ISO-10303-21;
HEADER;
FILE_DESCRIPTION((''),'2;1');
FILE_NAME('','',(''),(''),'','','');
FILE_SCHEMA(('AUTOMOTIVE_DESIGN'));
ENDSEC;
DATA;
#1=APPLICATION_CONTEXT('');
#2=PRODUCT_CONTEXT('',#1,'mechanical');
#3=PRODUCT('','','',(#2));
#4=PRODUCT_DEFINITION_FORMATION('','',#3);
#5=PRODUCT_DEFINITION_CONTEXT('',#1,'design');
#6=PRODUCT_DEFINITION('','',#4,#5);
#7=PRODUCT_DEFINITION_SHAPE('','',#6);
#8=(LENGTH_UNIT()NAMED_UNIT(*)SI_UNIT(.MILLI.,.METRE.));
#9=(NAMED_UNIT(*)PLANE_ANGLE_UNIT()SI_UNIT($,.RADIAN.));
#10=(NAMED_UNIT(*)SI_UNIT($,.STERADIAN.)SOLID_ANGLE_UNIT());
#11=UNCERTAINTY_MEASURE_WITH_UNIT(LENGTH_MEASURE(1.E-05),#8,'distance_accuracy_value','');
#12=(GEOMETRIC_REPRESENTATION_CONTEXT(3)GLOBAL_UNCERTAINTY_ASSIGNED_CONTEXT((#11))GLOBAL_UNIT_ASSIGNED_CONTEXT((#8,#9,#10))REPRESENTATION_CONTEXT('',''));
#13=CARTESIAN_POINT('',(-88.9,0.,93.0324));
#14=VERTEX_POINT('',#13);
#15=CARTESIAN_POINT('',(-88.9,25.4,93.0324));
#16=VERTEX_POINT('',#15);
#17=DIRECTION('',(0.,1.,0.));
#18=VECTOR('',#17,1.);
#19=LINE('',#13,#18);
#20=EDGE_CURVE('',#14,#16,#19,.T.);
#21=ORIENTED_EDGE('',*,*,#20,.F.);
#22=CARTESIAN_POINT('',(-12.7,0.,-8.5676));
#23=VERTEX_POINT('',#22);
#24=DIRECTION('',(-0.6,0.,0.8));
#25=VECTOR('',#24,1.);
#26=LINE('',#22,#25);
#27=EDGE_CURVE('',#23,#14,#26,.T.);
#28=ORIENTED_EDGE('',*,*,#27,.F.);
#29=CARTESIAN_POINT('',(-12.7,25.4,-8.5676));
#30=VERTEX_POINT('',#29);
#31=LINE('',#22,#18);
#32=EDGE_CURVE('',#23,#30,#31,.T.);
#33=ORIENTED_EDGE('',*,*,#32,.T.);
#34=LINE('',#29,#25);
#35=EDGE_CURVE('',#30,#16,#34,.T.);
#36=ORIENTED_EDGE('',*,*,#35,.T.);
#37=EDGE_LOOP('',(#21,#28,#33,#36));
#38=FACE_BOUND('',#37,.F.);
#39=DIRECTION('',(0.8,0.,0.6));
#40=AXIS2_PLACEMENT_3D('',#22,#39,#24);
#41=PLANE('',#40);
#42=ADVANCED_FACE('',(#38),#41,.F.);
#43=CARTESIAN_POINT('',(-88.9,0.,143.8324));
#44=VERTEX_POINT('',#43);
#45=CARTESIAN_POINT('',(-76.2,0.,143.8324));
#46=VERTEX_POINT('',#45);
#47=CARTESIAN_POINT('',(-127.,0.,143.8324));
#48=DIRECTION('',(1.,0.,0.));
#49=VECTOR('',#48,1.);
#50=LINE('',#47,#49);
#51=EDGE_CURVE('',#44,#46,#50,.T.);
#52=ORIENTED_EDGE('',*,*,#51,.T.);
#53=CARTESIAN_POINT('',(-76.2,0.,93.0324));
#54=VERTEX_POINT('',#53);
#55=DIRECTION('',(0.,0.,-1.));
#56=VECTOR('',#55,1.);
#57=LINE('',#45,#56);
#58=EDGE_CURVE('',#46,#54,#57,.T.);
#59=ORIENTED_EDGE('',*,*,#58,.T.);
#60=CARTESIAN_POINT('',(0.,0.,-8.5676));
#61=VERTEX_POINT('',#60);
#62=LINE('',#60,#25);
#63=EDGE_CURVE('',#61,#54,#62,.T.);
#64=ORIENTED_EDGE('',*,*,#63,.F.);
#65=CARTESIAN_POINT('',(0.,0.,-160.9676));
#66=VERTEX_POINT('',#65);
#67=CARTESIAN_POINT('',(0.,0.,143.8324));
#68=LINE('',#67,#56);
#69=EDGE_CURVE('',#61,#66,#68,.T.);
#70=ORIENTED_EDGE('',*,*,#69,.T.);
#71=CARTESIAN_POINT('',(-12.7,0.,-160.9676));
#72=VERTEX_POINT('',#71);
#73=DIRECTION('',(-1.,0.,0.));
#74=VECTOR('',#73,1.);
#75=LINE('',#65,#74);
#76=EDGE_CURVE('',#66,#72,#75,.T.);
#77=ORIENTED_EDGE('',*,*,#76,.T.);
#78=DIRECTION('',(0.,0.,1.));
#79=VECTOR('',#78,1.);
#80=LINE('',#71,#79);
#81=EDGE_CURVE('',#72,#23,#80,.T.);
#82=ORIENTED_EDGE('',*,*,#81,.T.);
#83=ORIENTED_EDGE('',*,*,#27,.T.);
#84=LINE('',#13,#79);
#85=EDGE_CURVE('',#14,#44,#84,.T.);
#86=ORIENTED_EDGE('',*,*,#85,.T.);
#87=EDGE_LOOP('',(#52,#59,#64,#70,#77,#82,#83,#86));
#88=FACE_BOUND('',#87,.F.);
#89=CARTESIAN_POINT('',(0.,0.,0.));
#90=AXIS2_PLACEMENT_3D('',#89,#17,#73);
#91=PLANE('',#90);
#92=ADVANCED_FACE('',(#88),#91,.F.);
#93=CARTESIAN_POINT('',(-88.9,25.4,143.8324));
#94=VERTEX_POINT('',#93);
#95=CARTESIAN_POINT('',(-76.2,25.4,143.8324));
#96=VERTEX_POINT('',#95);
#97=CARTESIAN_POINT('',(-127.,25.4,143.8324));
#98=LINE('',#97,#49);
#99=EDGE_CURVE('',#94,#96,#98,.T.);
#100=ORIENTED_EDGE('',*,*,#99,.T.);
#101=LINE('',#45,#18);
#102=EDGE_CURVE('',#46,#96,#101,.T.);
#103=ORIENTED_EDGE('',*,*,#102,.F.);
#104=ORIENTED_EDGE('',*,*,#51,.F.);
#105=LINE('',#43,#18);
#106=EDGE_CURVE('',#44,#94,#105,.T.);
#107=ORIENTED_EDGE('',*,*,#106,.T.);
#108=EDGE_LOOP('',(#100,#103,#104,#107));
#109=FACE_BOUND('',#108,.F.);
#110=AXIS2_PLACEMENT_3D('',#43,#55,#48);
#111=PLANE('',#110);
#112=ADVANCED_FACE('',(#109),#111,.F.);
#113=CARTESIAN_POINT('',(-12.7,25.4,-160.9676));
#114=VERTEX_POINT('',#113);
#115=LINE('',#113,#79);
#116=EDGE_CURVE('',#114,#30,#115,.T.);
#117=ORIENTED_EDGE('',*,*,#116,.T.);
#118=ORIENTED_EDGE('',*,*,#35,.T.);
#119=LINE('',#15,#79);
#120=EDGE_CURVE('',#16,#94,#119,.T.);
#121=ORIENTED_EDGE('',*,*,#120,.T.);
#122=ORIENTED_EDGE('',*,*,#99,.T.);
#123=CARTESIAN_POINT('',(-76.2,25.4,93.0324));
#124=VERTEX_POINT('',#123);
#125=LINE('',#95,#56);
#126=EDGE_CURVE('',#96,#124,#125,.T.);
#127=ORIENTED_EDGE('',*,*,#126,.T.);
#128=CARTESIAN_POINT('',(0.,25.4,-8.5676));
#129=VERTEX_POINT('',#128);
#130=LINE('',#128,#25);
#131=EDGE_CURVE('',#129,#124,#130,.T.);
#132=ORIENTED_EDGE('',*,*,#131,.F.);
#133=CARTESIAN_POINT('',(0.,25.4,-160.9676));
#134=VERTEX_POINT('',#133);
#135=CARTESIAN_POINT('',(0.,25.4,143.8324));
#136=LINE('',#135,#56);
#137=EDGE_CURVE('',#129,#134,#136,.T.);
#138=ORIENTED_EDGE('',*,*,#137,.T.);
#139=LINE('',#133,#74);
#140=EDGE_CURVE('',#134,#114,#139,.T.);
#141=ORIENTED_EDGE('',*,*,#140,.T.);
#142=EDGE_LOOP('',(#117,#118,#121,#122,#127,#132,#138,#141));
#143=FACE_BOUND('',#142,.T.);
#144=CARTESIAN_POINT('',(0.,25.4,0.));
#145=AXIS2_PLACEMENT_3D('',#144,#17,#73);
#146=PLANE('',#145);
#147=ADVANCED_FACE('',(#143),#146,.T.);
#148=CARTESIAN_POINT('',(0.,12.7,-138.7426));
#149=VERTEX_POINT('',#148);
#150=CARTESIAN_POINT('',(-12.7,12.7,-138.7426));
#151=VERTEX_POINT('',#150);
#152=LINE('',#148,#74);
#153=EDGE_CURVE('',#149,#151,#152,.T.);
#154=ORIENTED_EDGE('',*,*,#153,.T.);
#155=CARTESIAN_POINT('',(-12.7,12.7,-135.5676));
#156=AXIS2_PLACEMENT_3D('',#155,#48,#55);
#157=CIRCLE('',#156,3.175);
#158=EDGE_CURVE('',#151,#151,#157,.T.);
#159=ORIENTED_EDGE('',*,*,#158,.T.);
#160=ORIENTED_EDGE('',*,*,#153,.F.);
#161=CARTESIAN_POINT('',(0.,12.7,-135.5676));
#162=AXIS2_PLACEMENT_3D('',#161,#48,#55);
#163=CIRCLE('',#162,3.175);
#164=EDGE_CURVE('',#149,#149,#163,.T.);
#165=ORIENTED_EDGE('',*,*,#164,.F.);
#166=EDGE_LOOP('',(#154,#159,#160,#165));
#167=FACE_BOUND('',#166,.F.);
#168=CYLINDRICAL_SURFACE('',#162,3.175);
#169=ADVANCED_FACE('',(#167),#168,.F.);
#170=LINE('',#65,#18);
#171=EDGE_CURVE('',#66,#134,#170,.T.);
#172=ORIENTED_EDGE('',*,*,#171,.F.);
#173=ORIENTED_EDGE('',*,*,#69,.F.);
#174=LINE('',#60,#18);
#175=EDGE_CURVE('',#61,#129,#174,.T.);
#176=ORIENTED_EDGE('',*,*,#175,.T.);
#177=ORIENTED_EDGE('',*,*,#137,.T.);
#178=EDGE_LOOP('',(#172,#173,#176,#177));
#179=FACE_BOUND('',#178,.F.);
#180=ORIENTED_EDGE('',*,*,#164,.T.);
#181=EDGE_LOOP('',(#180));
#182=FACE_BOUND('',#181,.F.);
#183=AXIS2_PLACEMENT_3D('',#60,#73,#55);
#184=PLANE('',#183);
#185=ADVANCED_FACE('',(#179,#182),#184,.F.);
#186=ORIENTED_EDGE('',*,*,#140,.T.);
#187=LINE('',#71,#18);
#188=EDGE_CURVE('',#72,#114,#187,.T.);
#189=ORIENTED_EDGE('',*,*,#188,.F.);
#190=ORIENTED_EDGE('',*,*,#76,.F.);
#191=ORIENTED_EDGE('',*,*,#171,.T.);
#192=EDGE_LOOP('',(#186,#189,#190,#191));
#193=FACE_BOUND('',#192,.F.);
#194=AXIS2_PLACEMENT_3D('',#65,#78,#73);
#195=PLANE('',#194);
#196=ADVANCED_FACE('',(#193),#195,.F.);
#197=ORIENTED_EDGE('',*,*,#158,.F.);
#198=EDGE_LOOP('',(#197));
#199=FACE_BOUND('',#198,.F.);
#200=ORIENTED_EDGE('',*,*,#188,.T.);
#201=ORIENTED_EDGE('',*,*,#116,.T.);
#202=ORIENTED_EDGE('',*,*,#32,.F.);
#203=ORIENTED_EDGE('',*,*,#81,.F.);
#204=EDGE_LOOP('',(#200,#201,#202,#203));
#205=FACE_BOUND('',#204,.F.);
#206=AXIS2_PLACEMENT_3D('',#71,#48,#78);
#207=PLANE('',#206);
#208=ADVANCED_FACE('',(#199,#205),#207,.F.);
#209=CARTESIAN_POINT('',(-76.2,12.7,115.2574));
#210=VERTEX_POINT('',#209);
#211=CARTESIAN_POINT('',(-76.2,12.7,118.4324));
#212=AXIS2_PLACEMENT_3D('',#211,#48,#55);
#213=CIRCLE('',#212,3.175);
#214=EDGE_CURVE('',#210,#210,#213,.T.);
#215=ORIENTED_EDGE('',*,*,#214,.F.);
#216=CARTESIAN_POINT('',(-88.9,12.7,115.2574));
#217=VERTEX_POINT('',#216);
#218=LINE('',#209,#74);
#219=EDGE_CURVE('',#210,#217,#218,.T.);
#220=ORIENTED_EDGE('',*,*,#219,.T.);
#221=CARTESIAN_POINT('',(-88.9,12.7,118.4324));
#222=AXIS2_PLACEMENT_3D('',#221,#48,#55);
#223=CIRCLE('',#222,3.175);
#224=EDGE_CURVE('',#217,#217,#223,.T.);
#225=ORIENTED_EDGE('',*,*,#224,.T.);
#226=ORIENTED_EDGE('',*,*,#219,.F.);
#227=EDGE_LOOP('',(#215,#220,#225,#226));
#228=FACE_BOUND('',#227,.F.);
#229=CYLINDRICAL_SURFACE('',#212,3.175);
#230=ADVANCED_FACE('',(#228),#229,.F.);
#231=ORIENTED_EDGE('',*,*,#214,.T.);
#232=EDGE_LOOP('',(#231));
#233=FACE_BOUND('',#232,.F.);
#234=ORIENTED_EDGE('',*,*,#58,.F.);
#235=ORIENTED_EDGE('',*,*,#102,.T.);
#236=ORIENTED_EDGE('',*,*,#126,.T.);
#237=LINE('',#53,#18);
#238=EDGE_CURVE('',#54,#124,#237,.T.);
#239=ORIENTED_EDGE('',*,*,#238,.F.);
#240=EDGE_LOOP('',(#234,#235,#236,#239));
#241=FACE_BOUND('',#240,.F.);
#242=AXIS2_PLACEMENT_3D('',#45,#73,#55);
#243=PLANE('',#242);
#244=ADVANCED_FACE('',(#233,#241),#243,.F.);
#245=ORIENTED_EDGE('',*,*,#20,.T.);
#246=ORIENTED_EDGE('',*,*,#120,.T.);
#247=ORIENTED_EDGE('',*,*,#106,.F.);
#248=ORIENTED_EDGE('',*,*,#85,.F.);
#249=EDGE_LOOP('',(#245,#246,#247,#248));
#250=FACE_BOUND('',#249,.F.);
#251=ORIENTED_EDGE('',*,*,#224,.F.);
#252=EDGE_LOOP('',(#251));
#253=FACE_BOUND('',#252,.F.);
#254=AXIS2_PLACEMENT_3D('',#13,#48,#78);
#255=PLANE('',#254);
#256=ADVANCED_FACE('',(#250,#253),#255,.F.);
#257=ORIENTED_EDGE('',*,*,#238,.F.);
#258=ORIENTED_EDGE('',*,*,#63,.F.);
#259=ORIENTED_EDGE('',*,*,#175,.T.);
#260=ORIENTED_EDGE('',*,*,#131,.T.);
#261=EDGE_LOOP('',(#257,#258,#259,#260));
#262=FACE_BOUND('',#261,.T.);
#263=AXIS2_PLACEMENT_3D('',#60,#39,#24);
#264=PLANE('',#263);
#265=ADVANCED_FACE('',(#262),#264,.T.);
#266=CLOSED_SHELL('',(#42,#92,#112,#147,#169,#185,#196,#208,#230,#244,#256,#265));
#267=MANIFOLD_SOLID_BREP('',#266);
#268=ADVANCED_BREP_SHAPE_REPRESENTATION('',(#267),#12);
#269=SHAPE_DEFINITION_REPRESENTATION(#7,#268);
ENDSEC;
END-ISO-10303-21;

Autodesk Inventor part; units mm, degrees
ref_plane "YZ Plane" through (0, 0, 0) normal (1, 0, 0) x (0, 1, 0)
ref_plane "XZ Plane" through (0, 0, 0) normal (0, 1, 0) x (-1, 0, 0)
ref_plane "XY Plane" through (0, 0, 0) normal (0, 0, 1) x (1, 0, 0)
sketch "Sketch1" plane through (0, 0, 0) normal (0, 1, 0) x (-1, 0, 0)
  line L0 (127, 143.8324) -> (0, 143.8324)
  line L1 (0, 143.8324) -> (0, -160.9676)
  line L2 (0, -160.9676) -> (127, -160.9676)
  line L3 (127, -160.9676) -> (127, 143.8324)
  line L4 (0, -160.9676) -> (12.7, -160.9676)
  line L5 (12.7, -160.9676) -> (12.7, -8.5676)
  line L6 (12.7, -8.5676) -> (0, -8.5676)
  line L7 (0, -8.5676) -> (0, -160.9676)
  line L8 (12.7, -8.5676) -> (88.9, 93.0324)
  line L9 (0, -8.5676) -> (76.2, 93.0324)
  line L10 (127, 143.8324) -> (76.2, 143.8324)
  line L11 (76.2, 143.8324) -> (76.2, 93.0324)
  line L12 (88.9, 93.0324) -> (127, 93.0324)
  line L13 (127, 93.0324) -> (127, 143.8324)
  line L14 (88.9, 93.0324) -> (88.9, 143.8324)
  point P0 (0, 0)
  point P1 (114.3, 143.8324)
  dimension "d0" = 304.8
  dimension "d1" = 127
  dimension "d2" = 12.7
  dimension "d3" = 152.4
  dimension "d16" = 50.8
  dimension "d17" = 0
  dimension "d18" = 12.7
extrude "Extrusion1" add sketch "Sketch1" along normal blind 25.4 contours L14 L8 L6 L9 L11 L0 | L5 L2 L1 L6
sketch "Sketch2" plane through (0, 0, -8.5676) normal (1, 0, 0) x (0, 0, -1)
  circle A0 centre (127, 12.7) radius 3.175
  line L0 (0, 0) -> (152.4, 0) projected
  line L1 (152.4, 0) -> (152.4, 25.4) projected
  point P0 (-8.5676, 0)
  dimension "d6" = 6.35
  dimension "d7" = 12.7
  dimension "d8" = 25.4
extrude "Extrusion2" cut sketch "Sketch2" against normal through all
sketch "Sketch4" plane through (-76.2, 0, 143.8324) normal (1, 0, 0) x (0, 0, -1)
  circle A0 centre (25.4, 12.7) radius 3.175
  line L0 (0, 0) -> (50.8, 0) projected
  line L1 (0, 0) -> (0, 25.4) projected
  point P0 (143.8324, 0)
  dimension "d19" = 6.35
  dimension "d20" = 12.7
  dimension "d21" = 25.4
extrude "Extrusion4" cut sketch "Sketch4" against normal through all
properties part number "arm2"
